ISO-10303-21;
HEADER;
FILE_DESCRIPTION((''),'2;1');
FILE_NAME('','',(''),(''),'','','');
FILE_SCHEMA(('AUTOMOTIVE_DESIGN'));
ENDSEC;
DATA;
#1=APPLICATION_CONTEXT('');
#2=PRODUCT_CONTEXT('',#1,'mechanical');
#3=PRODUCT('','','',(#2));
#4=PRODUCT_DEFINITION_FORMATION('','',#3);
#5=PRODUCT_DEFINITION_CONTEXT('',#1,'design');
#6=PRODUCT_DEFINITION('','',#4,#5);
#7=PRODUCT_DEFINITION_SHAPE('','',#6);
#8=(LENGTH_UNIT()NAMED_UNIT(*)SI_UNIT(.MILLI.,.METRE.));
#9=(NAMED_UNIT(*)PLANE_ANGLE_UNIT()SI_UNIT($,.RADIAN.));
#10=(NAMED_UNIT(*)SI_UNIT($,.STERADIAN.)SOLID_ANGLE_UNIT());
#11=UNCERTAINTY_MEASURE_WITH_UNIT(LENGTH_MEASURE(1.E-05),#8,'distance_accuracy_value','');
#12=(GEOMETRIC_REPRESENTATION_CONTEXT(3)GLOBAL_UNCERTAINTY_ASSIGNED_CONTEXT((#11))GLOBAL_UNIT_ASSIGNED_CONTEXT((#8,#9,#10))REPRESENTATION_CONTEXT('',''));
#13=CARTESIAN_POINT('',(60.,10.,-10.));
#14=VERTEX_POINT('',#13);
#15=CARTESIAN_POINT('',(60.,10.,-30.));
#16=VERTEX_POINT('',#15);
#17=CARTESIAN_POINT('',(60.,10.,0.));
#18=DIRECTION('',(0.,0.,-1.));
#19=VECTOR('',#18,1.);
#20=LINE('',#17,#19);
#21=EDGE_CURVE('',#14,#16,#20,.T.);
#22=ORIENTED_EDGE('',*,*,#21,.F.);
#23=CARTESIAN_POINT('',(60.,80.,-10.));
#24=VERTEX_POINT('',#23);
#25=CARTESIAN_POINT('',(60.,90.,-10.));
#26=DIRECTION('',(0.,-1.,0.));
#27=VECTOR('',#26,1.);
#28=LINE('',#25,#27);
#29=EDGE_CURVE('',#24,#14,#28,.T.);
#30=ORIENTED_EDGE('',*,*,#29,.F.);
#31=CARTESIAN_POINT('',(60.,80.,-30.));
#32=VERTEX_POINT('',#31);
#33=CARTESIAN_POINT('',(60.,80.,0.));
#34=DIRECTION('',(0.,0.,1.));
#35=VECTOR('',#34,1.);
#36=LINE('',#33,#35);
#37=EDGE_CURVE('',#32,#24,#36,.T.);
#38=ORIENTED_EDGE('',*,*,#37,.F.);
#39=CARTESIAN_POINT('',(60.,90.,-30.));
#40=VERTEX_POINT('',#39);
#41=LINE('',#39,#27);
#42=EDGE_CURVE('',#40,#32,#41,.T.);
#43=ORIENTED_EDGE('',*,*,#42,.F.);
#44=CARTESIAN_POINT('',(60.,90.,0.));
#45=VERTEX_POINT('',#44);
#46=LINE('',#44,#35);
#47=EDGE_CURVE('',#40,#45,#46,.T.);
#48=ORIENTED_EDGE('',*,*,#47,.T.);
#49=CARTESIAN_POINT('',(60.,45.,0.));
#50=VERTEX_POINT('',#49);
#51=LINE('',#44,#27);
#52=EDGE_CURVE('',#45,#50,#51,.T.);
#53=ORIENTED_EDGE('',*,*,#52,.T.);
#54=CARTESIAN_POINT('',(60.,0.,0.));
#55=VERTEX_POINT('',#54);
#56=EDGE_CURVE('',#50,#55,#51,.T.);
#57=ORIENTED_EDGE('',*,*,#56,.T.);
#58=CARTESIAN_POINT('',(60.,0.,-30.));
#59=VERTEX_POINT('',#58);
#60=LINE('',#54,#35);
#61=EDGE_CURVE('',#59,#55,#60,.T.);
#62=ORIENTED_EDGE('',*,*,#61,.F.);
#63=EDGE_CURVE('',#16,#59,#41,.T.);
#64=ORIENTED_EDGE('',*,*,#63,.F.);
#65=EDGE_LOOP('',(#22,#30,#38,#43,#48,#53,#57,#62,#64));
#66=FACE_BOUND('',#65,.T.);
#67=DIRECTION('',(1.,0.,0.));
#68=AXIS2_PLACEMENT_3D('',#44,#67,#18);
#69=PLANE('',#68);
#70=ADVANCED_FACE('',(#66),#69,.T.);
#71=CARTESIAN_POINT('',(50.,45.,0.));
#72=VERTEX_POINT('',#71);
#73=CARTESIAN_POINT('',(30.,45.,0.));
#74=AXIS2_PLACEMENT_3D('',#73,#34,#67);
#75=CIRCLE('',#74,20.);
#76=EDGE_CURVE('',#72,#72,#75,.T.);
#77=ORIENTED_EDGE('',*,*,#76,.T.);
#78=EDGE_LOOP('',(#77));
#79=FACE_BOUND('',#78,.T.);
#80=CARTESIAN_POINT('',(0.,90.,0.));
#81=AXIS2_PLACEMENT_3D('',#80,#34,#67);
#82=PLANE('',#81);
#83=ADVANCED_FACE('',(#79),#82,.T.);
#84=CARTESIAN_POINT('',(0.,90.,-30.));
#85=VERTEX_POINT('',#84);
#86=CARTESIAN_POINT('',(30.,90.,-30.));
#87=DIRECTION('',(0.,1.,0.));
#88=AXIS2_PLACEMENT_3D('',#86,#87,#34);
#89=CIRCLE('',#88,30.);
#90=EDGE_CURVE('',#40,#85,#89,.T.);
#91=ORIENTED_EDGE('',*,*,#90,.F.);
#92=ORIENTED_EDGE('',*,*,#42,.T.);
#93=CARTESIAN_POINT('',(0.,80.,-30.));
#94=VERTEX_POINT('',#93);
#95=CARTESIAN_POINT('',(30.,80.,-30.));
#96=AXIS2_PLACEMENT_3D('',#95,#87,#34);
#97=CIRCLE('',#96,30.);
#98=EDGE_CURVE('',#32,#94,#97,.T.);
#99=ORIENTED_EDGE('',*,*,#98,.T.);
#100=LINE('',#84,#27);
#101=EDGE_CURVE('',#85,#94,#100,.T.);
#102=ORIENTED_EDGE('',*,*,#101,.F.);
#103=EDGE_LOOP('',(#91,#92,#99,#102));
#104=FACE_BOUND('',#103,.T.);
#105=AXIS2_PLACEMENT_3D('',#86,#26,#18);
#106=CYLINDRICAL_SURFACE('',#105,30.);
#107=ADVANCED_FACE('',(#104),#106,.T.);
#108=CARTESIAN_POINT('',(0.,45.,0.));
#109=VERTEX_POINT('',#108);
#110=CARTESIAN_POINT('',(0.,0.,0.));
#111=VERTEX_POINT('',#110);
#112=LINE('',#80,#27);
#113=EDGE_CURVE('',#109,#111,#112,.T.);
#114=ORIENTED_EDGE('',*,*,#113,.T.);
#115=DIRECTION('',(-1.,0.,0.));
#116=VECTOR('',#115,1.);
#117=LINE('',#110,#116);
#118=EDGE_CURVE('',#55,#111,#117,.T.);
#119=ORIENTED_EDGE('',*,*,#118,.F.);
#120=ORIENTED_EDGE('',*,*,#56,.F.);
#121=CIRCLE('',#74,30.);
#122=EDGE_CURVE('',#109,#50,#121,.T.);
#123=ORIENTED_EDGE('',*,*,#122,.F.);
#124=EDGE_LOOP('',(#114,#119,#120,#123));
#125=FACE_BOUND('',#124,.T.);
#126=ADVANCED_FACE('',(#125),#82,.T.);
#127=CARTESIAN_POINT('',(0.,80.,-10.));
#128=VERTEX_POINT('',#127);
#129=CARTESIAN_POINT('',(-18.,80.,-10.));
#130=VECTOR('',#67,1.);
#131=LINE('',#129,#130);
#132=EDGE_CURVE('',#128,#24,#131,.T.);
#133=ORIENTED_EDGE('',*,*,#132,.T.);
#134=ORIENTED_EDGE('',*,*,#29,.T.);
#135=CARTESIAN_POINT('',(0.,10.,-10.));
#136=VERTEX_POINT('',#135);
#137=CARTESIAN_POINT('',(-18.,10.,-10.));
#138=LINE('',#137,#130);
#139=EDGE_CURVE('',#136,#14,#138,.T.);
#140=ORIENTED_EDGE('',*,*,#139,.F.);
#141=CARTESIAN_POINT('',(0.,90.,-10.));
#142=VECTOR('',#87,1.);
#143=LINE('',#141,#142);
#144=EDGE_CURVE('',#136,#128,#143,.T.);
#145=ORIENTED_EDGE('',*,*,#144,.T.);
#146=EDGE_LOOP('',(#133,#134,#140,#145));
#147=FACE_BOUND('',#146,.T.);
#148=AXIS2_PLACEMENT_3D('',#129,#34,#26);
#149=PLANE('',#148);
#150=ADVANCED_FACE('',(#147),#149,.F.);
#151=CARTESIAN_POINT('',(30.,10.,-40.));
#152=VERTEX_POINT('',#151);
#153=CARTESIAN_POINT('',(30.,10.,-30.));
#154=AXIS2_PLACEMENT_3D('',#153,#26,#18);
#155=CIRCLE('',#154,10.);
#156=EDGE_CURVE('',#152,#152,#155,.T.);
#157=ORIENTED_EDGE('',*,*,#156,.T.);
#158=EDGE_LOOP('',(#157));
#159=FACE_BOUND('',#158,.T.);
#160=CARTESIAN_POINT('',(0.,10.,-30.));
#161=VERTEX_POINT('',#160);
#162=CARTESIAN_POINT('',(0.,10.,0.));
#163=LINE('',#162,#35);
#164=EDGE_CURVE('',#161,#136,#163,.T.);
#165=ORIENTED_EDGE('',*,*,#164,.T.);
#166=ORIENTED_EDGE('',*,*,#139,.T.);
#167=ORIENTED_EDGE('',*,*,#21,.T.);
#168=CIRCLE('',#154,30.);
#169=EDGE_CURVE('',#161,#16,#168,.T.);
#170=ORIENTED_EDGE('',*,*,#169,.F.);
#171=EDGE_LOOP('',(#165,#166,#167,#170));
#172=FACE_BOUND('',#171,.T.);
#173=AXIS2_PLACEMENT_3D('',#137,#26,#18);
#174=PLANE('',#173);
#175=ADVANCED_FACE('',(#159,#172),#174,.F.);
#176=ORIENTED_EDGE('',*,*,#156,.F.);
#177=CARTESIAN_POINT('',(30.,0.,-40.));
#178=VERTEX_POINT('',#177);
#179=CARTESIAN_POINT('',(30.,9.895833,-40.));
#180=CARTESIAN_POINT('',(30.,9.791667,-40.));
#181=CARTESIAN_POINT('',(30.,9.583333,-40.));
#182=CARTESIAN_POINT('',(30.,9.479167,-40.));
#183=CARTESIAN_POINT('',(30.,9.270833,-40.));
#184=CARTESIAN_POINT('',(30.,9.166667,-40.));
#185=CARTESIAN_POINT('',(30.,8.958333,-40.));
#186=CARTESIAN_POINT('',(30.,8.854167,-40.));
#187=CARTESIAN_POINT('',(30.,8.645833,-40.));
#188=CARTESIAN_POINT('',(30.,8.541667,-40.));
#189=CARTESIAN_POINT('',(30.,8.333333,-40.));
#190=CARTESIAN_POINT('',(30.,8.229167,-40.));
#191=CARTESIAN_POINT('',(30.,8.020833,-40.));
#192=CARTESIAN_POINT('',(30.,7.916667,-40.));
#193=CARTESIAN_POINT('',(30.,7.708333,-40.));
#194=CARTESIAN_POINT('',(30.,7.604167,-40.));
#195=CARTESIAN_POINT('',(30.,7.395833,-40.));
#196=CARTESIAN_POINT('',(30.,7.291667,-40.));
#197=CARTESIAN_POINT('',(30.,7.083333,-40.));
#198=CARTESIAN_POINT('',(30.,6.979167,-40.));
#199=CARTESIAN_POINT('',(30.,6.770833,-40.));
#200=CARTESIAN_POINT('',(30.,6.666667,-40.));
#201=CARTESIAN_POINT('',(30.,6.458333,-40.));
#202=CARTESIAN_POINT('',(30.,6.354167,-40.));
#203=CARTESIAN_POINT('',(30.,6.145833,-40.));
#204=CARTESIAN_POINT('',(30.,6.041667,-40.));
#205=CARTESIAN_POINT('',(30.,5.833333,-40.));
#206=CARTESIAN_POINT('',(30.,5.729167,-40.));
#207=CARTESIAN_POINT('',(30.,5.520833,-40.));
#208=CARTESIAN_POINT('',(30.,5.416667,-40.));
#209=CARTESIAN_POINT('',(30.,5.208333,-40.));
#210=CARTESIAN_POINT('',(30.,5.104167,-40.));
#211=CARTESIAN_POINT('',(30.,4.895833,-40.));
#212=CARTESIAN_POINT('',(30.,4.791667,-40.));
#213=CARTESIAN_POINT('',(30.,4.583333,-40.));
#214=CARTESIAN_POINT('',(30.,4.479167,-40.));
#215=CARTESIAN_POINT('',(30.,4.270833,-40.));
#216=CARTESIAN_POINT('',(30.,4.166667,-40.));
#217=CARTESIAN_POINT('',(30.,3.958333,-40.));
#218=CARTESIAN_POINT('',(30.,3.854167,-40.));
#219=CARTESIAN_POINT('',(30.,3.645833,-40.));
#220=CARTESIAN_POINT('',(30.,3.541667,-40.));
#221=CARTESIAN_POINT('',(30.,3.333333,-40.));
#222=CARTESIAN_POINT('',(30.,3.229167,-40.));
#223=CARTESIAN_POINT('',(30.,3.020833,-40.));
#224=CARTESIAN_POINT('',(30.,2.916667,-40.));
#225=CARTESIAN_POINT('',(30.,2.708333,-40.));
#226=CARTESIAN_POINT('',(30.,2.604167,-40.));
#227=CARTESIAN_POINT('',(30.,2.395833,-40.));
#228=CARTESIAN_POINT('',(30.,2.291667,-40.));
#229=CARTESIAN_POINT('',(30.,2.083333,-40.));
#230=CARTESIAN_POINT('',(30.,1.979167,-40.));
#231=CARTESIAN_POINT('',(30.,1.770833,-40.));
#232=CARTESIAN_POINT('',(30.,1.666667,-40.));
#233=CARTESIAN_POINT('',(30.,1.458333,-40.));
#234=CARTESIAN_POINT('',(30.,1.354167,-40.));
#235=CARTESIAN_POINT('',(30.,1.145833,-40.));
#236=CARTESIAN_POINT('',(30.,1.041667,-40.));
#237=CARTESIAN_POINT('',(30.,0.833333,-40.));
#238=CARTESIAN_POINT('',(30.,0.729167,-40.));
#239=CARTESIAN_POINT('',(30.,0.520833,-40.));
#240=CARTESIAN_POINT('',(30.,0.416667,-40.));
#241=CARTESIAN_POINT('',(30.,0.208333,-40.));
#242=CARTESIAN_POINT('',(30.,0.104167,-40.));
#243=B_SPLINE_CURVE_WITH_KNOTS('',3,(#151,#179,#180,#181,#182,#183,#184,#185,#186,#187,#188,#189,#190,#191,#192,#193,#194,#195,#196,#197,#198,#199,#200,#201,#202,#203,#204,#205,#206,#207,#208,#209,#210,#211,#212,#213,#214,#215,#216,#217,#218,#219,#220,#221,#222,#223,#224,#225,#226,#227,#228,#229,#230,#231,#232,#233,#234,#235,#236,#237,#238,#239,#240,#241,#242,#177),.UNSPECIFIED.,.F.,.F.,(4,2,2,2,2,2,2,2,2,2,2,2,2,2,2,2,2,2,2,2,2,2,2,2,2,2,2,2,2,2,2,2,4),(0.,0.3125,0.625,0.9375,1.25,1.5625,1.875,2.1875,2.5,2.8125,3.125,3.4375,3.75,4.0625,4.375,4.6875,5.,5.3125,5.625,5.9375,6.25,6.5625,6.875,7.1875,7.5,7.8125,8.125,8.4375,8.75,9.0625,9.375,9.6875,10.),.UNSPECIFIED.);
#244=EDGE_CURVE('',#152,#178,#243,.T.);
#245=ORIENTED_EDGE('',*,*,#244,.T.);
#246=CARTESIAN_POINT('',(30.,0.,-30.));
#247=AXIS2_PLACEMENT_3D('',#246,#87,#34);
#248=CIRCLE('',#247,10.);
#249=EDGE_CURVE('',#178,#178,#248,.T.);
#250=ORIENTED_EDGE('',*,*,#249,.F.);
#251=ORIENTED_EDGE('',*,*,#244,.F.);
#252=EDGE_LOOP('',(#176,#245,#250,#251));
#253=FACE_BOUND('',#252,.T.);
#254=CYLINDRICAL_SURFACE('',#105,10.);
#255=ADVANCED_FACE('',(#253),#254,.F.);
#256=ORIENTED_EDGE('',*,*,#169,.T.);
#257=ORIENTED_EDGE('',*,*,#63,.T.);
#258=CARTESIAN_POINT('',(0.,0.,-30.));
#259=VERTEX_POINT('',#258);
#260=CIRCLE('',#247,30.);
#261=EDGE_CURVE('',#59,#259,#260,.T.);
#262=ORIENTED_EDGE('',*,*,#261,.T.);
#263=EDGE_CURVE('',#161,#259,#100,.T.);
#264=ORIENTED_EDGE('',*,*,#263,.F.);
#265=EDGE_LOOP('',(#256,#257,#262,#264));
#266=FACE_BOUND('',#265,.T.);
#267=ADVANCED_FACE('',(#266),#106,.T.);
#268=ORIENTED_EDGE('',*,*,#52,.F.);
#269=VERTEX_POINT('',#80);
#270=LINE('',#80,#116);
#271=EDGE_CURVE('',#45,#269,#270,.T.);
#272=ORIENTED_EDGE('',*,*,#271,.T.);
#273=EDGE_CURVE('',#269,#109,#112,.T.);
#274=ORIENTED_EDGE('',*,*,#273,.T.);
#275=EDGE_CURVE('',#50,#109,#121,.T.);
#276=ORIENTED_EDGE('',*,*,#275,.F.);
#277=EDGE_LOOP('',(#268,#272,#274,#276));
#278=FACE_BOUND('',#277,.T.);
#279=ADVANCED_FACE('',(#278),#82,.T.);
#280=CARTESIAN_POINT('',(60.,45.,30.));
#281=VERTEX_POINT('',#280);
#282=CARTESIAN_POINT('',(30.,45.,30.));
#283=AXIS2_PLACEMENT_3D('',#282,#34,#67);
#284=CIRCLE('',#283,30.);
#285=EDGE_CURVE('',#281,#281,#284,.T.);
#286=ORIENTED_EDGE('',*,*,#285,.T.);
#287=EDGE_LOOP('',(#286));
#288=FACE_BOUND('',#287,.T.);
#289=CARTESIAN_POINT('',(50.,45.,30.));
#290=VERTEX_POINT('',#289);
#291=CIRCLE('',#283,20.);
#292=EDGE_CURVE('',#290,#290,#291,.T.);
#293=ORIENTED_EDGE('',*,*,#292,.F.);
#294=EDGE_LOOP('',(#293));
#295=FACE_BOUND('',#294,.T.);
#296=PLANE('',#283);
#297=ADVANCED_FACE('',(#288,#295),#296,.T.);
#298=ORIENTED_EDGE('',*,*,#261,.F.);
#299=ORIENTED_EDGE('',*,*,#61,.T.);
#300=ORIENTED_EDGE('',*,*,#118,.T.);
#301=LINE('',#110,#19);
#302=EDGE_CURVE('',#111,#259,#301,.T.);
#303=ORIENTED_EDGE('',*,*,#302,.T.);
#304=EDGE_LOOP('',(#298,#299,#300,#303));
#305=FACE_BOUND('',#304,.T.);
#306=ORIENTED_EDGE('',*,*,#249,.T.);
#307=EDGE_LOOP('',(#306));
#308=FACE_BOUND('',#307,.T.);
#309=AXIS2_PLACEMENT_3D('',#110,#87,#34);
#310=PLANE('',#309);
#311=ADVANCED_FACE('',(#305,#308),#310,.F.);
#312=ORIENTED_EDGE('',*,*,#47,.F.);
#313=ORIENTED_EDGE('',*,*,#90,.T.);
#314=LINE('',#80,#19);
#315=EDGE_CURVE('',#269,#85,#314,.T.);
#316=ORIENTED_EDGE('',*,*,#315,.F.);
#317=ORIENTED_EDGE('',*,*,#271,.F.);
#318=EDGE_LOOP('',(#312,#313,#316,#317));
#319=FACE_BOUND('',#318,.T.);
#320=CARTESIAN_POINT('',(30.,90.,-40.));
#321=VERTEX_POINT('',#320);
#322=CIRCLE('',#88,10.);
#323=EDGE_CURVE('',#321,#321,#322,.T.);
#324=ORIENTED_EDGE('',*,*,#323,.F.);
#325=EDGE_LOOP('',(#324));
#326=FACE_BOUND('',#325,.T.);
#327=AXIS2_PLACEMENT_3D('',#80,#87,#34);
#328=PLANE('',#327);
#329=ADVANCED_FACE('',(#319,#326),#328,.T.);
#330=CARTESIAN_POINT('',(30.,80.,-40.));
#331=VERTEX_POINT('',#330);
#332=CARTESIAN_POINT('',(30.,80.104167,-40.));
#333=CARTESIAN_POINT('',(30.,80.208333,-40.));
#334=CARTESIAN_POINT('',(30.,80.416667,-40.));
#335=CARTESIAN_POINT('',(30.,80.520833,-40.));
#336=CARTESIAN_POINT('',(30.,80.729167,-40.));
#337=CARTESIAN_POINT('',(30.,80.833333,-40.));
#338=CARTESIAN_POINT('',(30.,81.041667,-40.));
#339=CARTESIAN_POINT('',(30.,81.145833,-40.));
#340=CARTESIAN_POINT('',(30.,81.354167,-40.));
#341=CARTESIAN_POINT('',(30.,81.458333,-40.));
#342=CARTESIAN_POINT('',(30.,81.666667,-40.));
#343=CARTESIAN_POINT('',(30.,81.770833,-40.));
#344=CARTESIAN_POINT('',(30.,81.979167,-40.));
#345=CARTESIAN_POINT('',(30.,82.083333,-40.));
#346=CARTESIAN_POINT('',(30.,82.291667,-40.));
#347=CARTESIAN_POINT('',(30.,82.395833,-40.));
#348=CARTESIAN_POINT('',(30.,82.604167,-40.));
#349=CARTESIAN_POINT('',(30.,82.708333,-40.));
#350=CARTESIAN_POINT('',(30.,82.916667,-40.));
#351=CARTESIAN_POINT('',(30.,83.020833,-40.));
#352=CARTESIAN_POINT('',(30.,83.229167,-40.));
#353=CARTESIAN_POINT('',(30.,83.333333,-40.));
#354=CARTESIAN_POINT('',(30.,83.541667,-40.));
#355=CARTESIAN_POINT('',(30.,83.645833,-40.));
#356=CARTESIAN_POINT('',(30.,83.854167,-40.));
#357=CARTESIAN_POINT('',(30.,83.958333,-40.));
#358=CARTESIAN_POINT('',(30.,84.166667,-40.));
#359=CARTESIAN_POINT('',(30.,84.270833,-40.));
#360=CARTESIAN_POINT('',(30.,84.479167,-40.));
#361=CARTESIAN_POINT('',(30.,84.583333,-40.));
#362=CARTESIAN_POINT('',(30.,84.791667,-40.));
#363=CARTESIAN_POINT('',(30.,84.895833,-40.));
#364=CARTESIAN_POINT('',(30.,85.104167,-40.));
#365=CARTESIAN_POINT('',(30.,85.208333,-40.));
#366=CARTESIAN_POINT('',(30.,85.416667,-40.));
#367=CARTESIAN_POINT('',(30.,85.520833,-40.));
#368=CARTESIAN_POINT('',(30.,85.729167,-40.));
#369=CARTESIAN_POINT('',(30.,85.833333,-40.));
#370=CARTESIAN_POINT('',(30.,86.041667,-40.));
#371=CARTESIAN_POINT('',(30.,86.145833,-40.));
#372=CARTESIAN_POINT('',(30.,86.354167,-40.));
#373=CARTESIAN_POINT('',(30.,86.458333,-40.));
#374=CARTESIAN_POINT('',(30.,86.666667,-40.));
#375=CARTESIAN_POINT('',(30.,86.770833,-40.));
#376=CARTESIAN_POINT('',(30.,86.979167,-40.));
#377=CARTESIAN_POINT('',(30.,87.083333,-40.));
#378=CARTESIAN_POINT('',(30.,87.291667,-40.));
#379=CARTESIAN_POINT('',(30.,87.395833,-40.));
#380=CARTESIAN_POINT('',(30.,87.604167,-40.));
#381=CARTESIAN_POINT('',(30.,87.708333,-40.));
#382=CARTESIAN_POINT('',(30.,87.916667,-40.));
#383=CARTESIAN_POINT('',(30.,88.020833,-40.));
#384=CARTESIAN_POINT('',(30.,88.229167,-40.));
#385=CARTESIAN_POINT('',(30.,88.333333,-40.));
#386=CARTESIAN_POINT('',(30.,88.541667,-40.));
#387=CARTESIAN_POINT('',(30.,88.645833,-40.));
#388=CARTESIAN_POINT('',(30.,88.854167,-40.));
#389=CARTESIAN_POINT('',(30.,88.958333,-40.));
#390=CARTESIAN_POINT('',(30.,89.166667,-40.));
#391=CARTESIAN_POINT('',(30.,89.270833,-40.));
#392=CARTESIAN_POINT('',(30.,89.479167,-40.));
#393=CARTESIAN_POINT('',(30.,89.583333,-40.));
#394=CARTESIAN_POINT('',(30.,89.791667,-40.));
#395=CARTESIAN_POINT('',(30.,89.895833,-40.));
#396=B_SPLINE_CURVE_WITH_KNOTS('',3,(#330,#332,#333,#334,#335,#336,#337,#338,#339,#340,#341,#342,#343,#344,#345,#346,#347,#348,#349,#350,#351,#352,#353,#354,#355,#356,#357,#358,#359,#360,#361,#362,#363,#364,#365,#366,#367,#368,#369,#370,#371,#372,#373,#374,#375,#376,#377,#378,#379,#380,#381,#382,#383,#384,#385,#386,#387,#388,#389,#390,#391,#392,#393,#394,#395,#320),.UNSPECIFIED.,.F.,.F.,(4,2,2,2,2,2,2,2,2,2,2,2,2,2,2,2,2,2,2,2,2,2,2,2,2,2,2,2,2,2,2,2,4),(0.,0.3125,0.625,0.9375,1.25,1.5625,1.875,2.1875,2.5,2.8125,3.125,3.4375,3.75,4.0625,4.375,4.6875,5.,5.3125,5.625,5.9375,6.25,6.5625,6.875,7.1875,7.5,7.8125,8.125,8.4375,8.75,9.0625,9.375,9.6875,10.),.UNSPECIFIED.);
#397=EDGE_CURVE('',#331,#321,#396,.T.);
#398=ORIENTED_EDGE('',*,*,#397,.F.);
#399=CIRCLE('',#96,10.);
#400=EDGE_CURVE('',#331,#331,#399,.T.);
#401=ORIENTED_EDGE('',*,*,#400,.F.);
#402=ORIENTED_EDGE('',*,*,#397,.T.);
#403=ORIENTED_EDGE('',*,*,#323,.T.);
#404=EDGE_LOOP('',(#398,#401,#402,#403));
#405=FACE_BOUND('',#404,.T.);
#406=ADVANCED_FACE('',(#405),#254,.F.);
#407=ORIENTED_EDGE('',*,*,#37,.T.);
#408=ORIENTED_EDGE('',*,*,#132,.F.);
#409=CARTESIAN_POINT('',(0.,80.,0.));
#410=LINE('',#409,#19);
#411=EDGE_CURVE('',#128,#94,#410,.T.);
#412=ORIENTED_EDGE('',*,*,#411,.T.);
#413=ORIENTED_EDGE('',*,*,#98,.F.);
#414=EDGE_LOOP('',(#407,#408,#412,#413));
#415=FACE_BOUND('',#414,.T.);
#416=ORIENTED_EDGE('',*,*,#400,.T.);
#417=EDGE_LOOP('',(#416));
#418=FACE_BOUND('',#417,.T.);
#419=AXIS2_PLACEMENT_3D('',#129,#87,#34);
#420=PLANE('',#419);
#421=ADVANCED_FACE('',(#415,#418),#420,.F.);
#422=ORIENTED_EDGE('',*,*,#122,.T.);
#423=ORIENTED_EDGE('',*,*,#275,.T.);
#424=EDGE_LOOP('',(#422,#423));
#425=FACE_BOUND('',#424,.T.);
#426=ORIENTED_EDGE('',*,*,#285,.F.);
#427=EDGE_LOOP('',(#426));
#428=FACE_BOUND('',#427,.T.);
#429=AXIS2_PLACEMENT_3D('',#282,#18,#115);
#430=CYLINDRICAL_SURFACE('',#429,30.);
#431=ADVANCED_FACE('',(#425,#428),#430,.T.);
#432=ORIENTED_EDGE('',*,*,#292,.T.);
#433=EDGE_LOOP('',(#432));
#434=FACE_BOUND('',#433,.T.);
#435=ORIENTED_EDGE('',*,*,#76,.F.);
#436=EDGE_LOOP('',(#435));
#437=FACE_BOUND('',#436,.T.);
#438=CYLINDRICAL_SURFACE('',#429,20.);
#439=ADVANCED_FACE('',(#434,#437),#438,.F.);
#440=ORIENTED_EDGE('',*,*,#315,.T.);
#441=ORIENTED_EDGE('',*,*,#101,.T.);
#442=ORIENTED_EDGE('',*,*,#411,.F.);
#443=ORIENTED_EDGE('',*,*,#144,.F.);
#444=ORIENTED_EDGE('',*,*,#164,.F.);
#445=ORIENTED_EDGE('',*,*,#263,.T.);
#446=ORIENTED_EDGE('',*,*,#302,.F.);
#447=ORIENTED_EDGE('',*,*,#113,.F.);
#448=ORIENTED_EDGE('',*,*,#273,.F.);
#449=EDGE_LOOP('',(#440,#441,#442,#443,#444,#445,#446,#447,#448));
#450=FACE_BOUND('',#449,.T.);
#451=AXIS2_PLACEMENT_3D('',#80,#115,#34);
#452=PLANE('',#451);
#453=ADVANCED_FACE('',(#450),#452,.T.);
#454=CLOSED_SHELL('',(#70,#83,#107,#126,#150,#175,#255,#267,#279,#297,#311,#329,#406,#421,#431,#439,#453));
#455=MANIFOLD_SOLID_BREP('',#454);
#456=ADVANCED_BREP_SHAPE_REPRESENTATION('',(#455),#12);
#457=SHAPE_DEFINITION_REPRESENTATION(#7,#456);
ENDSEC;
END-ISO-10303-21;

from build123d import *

# Parameters (mm, degrees)
BOSS_EXTRUDE4_DEPTH     = 90
CUT_EXTRUDE1_DEPTH      = 69
CUT_EXTRUDE1_DEPTH_BACK = 18
SKETCH7_W               = 55.395667886
SKETCH7_H               = 70
SKETCH8_R               = 30
SKETCH8_R_2             = 20
BOSS_EXTRUDE5_DEPTH     = 30


with BuildPart() as part:
    # Sketch5 → Boss-Extrude4 (new body)
    with BuildSketch(Plane(origin=(0, 0, 0), x_dir=(1, 0, 0), z_dir=(0, 1, 0))):
        with BuildLine():
            Line((0, 30), (0, 0))
            Line((0, 0), (60, 0))
            Line((60, 0), (60, 30))
            Line((60, 30), (40, 30))
            ThreePointArc((40, 30), (30, 20), (20, 30))
            Line((20, 30), (0, 30))
        make_face()
        with BuildLine():
            ThreePointArc((60, 30), (30, 60), (0, 30))
            Line((0, 30), (20, 30))
            ThreePointArc((20, 30), (30, 40), (40, 30))
            Line((40, 30), (60, 30))
        make_face()
    extrude(amount=BOSS_EXTRUDE4_DEPTH)

    # Sketch7 → Cut-Extrude1 (cut, two sides: drawn at the far end of the back side and taken through both)
    with BuildSketch(Plane(origin=(0, 0, 0), x_dir=(0, 0, -1), z_dir=(1, 0, 0)).offset(-CUT_EXTRUDE1_DEPTH_BACK)):
        with Locations((37.697833943, 45)):
            Rectangle(SKETCH7_W, SKETCH7_H)
    extrude(amount=CUT_EXTRUDE1_DEPTH + CUT_EXTRUDE1_DEPTH_BACK, mode=Mode.SUBTRACT)

    # Sketch8 → Boss-Extrude5 (add)
    with BuildSketch(Plane.XY):
        with Locations((30, 45)):
            Circle(SKETCH8_R)
        with Locations((30, 45)):
            Circle(SKETCH8_R_2, mode=Mode.SUBTRACT)
    extrude(amount=BOSS_EXTRUDE5_DEPTH)


solid = part.part
